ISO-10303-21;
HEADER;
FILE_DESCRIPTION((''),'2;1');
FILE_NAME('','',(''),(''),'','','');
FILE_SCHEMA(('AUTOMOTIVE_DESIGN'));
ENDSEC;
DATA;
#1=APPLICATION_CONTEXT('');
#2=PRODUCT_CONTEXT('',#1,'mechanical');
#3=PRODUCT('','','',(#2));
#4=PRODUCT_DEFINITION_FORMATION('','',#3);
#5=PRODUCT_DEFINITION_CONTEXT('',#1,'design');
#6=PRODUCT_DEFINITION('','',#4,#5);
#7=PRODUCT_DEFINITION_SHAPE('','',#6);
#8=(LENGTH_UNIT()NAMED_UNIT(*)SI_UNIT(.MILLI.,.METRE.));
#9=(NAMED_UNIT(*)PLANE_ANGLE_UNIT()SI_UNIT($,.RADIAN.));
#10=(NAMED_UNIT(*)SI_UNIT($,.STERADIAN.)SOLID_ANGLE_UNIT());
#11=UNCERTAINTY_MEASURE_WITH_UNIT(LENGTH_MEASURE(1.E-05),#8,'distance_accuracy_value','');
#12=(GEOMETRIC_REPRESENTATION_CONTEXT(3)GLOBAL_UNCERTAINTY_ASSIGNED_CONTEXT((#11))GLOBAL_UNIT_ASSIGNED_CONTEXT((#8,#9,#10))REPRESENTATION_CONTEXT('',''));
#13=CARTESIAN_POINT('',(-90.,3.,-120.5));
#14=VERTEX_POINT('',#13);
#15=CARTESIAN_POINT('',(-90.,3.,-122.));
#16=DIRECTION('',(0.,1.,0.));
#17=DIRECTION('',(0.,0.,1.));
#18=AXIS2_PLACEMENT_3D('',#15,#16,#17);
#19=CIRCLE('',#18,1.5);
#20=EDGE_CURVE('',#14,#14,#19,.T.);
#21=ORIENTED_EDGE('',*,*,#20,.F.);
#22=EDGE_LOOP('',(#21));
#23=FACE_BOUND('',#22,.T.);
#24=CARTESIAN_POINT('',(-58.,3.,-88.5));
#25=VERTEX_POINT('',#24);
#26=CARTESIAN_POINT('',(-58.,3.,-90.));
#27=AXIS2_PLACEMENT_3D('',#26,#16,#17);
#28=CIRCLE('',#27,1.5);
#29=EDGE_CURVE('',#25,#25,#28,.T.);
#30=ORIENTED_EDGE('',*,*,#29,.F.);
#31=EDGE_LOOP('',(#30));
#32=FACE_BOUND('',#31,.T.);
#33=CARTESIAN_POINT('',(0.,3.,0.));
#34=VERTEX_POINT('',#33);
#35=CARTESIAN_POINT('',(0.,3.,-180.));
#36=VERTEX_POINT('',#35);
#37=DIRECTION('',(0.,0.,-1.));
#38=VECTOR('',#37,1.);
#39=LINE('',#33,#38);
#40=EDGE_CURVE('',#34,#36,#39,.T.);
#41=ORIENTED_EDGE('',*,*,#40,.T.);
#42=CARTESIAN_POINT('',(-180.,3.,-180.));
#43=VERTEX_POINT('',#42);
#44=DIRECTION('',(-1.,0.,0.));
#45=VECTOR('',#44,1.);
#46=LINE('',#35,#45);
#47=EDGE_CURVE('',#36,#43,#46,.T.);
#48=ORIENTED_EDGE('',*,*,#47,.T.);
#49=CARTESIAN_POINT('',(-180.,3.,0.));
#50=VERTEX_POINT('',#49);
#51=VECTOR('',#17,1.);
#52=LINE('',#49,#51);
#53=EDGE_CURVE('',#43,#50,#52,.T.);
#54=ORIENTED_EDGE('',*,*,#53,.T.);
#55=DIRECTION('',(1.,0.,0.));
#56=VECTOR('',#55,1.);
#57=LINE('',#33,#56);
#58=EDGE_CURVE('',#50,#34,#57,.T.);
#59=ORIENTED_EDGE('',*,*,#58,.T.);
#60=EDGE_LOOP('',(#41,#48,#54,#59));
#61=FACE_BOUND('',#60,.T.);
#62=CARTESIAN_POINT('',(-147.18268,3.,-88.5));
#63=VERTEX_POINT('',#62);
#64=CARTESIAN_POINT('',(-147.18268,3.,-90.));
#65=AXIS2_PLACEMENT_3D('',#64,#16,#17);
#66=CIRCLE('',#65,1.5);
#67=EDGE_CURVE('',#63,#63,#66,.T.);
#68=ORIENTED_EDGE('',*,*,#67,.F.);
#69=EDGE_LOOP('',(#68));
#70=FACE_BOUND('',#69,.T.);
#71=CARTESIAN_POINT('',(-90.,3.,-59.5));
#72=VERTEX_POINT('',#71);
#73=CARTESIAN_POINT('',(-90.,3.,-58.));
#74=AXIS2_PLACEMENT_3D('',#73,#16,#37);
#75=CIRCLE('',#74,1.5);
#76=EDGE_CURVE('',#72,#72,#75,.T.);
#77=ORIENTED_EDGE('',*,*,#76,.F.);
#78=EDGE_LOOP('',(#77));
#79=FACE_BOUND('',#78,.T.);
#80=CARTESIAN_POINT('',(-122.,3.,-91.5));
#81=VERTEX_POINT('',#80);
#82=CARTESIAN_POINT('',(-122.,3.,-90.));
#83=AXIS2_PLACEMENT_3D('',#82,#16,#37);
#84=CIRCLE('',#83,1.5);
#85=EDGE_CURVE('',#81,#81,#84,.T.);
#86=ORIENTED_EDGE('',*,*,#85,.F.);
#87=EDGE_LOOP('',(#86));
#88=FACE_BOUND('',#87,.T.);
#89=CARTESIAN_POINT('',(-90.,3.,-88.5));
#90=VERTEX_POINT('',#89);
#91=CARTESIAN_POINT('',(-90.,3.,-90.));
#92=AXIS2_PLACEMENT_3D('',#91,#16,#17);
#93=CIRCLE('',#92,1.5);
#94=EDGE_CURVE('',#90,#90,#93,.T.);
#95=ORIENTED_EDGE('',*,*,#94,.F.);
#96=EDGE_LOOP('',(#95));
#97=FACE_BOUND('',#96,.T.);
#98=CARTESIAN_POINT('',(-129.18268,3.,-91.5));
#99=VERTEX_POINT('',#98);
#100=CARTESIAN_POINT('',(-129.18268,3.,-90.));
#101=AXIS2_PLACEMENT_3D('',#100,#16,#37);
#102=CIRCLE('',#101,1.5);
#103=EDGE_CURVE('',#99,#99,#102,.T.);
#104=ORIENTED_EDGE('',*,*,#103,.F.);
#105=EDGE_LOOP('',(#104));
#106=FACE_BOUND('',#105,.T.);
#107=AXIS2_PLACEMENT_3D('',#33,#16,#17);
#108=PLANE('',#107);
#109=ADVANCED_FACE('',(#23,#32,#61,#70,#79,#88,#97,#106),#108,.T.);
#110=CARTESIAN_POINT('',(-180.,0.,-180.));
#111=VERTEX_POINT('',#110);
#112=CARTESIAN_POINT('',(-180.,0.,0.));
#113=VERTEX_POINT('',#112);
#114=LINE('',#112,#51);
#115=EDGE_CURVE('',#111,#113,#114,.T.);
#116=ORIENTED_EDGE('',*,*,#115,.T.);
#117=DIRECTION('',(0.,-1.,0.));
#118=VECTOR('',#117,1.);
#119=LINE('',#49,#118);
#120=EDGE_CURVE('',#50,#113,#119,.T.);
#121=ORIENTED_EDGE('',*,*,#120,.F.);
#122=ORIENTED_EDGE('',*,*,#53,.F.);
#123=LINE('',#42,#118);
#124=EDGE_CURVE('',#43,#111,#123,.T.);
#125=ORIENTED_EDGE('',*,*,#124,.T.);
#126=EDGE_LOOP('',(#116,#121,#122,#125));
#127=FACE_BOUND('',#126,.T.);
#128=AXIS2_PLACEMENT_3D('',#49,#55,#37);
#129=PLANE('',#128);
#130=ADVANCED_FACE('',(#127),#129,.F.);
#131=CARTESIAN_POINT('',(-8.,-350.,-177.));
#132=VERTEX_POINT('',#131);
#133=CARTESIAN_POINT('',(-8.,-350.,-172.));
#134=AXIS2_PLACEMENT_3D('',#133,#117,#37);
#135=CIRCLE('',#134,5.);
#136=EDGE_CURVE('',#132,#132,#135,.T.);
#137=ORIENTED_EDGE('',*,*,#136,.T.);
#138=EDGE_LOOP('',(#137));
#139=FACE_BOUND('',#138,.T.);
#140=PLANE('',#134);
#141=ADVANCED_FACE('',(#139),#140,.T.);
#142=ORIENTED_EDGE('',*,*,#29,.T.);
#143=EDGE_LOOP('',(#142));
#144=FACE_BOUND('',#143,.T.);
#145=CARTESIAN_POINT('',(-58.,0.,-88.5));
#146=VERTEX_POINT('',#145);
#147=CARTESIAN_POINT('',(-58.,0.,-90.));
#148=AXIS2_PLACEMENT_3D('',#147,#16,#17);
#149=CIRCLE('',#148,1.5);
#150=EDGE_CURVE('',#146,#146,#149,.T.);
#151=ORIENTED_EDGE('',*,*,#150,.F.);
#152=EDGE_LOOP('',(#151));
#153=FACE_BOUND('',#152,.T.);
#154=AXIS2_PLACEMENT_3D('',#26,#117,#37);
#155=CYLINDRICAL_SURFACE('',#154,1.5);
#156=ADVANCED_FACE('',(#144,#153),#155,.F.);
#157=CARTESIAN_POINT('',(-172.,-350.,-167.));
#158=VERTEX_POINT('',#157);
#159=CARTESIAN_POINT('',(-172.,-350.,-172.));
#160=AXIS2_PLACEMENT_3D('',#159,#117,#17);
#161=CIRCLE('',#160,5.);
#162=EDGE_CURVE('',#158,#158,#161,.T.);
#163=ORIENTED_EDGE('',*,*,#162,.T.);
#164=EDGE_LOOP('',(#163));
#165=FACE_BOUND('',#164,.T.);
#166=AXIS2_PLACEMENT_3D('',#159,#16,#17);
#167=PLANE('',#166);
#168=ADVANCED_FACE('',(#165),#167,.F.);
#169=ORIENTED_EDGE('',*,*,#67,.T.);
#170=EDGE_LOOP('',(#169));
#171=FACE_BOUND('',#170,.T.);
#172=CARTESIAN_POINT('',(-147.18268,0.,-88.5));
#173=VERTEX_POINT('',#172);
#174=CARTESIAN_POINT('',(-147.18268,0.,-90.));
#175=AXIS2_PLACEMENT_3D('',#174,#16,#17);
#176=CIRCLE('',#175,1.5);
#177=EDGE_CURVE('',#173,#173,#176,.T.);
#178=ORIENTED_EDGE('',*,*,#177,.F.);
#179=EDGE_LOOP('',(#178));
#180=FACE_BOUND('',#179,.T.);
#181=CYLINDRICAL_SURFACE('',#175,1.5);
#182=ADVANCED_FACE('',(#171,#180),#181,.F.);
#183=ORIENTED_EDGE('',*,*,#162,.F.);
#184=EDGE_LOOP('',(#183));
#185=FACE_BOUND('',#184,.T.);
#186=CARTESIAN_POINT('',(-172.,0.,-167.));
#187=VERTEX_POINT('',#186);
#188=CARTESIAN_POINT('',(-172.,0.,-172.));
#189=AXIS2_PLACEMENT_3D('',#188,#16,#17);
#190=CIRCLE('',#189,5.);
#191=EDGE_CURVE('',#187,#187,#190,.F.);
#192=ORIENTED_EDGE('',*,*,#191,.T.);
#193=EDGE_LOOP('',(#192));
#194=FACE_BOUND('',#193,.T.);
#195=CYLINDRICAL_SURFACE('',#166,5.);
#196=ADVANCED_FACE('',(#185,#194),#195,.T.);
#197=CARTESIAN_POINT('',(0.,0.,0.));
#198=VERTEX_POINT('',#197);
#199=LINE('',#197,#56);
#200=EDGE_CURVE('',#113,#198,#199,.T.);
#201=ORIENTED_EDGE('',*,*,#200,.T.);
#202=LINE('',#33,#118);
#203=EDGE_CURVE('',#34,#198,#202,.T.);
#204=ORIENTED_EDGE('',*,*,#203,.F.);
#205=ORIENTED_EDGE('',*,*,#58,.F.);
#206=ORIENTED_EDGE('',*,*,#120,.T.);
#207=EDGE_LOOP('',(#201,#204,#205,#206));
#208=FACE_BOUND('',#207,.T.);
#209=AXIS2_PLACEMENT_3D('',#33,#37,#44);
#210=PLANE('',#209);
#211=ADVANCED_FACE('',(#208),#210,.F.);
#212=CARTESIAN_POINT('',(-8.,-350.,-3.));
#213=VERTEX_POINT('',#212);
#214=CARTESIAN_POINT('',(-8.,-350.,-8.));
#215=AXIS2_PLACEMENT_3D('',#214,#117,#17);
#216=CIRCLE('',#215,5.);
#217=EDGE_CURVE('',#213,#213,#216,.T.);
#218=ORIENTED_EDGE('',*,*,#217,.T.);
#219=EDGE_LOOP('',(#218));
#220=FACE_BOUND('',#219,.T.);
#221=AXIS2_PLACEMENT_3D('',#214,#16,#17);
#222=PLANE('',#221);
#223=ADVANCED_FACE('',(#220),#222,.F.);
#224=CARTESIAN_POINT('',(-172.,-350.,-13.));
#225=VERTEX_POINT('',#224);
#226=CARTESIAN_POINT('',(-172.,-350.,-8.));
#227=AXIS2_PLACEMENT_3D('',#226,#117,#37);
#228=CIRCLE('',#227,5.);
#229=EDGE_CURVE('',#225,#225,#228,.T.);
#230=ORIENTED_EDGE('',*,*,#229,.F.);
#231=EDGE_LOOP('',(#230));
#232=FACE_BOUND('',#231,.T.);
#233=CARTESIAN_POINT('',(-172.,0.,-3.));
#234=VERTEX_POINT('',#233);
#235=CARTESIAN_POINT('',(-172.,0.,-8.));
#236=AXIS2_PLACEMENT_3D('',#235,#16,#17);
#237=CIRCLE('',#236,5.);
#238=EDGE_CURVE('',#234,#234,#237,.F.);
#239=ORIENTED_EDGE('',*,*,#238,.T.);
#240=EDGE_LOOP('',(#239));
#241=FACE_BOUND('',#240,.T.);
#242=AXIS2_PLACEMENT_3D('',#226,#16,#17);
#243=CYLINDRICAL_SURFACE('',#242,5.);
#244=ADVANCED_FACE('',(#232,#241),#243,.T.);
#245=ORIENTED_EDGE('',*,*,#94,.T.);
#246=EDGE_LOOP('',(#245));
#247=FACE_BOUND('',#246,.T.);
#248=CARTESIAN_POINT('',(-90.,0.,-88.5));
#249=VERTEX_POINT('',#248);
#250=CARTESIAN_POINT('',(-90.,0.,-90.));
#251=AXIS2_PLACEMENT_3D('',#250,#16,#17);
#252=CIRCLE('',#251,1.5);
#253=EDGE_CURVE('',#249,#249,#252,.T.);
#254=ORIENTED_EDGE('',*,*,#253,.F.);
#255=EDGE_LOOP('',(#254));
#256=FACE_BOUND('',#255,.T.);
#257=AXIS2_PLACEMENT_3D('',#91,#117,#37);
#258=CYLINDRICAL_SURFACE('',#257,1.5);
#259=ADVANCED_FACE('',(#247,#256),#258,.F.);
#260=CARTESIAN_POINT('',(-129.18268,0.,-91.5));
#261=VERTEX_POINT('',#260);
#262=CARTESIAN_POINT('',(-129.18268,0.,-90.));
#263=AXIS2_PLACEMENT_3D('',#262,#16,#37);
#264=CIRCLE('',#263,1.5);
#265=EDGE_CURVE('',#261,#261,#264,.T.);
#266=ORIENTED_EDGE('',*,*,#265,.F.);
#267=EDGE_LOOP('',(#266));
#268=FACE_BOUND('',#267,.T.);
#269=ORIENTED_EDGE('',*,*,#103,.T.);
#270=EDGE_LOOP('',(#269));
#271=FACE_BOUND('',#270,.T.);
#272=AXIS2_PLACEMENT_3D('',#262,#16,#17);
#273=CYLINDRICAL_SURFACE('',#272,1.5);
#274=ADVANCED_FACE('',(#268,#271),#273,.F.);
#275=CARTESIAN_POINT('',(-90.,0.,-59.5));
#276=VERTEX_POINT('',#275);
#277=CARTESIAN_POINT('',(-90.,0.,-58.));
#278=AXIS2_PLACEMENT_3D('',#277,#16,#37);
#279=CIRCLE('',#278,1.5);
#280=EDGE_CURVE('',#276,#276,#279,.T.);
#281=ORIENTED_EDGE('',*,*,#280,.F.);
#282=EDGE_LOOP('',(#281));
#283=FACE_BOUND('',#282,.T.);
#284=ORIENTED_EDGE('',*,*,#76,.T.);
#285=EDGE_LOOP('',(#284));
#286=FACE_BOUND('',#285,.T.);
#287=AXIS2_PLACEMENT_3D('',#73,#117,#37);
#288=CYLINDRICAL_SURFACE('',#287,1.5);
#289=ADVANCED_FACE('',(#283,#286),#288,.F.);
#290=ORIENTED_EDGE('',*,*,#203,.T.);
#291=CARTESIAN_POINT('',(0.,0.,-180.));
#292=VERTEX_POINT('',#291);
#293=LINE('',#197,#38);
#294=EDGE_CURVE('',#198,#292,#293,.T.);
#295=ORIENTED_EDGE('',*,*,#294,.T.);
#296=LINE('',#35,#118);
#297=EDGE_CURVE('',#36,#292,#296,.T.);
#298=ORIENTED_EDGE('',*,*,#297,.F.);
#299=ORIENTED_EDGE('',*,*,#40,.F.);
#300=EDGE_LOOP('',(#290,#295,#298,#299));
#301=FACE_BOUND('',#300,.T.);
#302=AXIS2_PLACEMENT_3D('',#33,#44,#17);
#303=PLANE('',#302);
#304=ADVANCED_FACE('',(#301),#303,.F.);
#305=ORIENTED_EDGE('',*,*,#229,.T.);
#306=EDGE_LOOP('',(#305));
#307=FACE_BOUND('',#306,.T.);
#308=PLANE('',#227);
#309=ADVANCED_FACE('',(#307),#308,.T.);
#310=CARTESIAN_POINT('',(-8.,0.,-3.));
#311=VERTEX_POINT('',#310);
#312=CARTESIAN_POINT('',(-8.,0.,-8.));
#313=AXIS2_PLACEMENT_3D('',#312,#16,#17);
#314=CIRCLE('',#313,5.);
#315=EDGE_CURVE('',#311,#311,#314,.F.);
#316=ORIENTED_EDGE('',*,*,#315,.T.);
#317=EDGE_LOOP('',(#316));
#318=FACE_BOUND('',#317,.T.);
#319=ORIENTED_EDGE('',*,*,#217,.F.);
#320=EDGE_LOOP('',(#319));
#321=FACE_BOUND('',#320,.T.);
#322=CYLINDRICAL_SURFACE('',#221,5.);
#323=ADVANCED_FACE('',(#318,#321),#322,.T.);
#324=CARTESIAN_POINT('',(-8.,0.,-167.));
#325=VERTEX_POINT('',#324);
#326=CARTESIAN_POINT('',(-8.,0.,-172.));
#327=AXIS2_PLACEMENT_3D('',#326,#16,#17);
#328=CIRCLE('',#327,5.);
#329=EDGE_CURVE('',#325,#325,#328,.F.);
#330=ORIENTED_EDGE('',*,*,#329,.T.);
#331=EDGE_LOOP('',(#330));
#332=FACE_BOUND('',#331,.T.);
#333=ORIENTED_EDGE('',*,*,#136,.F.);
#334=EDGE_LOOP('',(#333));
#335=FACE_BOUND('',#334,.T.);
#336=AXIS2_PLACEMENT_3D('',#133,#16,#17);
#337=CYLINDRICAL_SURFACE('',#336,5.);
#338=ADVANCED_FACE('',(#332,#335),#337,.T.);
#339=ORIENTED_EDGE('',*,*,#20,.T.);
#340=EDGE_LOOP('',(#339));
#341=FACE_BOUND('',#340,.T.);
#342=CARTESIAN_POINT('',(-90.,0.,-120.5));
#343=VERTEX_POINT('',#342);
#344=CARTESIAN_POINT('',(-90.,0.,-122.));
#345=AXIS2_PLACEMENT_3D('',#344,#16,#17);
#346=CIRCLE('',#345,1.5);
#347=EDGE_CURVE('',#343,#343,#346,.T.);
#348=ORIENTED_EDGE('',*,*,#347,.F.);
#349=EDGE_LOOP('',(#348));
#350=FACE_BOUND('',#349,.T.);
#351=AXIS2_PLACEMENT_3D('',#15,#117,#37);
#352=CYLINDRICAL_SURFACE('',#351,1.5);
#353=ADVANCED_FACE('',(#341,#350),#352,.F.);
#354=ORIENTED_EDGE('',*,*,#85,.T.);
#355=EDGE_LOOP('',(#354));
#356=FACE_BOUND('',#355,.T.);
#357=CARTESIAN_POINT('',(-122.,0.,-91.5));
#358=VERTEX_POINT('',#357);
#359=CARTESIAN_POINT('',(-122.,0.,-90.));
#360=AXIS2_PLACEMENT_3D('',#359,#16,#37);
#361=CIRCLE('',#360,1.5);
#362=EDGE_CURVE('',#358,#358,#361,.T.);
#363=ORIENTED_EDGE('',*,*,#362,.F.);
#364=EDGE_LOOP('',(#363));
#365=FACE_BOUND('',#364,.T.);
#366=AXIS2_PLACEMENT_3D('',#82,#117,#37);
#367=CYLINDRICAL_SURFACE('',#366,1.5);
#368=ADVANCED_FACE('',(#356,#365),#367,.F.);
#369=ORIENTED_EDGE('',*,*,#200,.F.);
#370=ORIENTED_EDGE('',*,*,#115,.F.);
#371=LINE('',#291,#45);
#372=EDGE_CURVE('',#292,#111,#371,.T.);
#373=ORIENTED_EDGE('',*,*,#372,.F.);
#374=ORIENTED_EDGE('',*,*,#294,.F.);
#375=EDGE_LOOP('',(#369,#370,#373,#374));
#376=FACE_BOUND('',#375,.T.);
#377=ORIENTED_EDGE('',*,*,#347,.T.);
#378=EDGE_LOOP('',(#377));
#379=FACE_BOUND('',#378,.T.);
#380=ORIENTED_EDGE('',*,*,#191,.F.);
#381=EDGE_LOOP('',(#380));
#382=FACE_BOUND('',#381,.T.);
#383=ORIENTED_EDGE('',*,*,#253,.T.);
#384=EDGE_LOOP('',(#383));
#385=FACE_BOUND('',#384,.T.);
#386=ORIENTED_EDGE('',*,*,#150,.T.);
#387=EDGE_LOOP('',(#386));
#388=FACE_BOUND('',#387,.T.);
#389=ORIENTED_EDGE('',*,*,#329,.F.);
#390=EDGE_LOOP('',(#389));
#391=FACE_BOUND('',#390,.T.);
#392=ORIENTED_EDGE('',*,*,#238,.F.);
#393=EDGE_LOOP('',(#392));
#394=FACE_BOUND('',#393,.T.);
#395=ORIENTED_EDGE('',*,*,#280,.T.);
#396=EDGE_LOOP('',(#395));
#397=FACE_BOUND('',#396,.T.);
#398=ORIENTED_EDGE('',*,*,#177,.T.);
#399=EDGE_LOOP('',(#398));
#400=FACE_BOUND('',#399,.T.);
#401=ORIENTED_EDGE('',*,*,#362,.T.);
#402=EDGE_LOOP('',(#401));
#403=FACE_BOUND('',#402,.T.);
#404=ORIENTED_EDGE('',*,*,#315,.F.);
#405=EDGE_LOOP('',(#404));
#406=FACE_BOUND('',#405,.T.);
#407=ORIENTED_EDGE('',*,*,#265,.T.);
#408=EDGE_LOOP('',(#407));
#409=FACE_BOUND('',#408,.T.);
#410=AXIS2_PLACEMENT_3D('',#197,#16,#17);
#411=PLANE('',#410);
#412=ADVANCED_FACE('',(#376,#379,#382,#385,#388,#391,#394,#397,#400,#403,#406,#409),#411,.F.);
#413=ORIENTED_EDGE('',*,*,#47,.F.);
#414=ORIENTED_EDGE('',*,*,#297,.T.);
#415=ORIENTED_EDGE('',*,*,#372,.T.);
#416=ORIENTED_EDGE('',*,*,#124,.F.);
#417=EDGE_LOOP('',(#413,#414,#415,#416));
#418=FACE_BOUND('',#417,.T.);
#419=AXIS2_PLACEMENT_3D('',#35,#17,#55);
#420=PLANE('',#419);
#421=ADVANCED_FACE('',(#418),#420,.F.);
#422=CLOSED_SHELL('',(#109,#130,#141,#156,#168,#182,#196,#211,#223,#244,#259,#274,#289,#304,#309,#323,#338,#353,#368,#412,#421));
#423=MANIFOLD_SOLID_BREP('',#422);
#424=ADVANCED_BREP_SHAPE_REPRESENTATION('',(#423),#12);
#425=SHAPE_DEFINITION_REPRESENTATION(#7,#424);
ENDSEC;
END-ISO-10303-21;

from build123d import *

# Parameters (mm, degrees)
SKETCH1_W           = 180
SKETCH1_H           = 180
SKETCH1_R           = 1.5
BOSS_EXTRUDE1_DEPTH = 3
SKETCH2_R           = 1.5
CUT_EXTRUDE1_DEPTH  = 4
SKETCH3_R           = 5
BOSS_EXTRUDE2_DEPTH = 350


with BuildPart() as part:
    # Sketch1 → Boss-Extrude1 (new body)
    with BuildSketch(Plane(origin=(0, 0, 0), x_dir=(1, 0, 0), z_dir=(0, 1, 0))):
        with Locations((-90, 90)):
            Rectangle(SKETCH1_W, SKETCH1_H)
        with Locations((-90, 90)):
            Circle(SKETCH1_R, mode=Mode.SUBTRACT)
        with Locations((-58, 90)):
            Circle(SKETCH1_R, mode=Mode.SUBTRACT)
        with Locations((-122, 90)):
            Circle(SKETCH1_R, mode=Mode.SUBTRACT)
        with Locations((-90, 122)):
            Circle(SKETCH1_R, mode=Mode.SUBTRACT)
        with Locations((-90, 58)):
            Circle(SKETCH1_R, mode=Mode.SUBTRACT)
    extrude(amount=BOSS_EXTRUDE1_DEPTH)

    # Sketch2 → Cut-Extrude1 (cut, through all)
    with BuildSketch(Plane(origin=(0, 3, 0), x_dir=(1, 0, 0), z_dir=(0, 1, 0))):
        with Locations((-147.18268, 90)):
            Circle(SKETCH2_R)
        with Locations((-129.18268, 90)):
            Circle(SKETCH2_R)
    extrude(amount=-CUT_EXTRUDE1_DEPTH, mode=Mode.SUBTRACT)

    # Sketch3 → Boss-Extrude2 (add)
    with BuildSketch(Plane.XZ):
        with Locations((-172, -8)):
            Circle(SKETCH3_R)
        with Locations((-8, -8)):
            Circle(SKETCH3_R)
        with Locations((-8, -172)):
            Circle(SKETCH3_R)
        with Locations((-172, -172)):
            Circle(SKETCH3_R)
    extrude(amount=BOSS_EXTRUDE2_DEPTH)


solid = part.part
